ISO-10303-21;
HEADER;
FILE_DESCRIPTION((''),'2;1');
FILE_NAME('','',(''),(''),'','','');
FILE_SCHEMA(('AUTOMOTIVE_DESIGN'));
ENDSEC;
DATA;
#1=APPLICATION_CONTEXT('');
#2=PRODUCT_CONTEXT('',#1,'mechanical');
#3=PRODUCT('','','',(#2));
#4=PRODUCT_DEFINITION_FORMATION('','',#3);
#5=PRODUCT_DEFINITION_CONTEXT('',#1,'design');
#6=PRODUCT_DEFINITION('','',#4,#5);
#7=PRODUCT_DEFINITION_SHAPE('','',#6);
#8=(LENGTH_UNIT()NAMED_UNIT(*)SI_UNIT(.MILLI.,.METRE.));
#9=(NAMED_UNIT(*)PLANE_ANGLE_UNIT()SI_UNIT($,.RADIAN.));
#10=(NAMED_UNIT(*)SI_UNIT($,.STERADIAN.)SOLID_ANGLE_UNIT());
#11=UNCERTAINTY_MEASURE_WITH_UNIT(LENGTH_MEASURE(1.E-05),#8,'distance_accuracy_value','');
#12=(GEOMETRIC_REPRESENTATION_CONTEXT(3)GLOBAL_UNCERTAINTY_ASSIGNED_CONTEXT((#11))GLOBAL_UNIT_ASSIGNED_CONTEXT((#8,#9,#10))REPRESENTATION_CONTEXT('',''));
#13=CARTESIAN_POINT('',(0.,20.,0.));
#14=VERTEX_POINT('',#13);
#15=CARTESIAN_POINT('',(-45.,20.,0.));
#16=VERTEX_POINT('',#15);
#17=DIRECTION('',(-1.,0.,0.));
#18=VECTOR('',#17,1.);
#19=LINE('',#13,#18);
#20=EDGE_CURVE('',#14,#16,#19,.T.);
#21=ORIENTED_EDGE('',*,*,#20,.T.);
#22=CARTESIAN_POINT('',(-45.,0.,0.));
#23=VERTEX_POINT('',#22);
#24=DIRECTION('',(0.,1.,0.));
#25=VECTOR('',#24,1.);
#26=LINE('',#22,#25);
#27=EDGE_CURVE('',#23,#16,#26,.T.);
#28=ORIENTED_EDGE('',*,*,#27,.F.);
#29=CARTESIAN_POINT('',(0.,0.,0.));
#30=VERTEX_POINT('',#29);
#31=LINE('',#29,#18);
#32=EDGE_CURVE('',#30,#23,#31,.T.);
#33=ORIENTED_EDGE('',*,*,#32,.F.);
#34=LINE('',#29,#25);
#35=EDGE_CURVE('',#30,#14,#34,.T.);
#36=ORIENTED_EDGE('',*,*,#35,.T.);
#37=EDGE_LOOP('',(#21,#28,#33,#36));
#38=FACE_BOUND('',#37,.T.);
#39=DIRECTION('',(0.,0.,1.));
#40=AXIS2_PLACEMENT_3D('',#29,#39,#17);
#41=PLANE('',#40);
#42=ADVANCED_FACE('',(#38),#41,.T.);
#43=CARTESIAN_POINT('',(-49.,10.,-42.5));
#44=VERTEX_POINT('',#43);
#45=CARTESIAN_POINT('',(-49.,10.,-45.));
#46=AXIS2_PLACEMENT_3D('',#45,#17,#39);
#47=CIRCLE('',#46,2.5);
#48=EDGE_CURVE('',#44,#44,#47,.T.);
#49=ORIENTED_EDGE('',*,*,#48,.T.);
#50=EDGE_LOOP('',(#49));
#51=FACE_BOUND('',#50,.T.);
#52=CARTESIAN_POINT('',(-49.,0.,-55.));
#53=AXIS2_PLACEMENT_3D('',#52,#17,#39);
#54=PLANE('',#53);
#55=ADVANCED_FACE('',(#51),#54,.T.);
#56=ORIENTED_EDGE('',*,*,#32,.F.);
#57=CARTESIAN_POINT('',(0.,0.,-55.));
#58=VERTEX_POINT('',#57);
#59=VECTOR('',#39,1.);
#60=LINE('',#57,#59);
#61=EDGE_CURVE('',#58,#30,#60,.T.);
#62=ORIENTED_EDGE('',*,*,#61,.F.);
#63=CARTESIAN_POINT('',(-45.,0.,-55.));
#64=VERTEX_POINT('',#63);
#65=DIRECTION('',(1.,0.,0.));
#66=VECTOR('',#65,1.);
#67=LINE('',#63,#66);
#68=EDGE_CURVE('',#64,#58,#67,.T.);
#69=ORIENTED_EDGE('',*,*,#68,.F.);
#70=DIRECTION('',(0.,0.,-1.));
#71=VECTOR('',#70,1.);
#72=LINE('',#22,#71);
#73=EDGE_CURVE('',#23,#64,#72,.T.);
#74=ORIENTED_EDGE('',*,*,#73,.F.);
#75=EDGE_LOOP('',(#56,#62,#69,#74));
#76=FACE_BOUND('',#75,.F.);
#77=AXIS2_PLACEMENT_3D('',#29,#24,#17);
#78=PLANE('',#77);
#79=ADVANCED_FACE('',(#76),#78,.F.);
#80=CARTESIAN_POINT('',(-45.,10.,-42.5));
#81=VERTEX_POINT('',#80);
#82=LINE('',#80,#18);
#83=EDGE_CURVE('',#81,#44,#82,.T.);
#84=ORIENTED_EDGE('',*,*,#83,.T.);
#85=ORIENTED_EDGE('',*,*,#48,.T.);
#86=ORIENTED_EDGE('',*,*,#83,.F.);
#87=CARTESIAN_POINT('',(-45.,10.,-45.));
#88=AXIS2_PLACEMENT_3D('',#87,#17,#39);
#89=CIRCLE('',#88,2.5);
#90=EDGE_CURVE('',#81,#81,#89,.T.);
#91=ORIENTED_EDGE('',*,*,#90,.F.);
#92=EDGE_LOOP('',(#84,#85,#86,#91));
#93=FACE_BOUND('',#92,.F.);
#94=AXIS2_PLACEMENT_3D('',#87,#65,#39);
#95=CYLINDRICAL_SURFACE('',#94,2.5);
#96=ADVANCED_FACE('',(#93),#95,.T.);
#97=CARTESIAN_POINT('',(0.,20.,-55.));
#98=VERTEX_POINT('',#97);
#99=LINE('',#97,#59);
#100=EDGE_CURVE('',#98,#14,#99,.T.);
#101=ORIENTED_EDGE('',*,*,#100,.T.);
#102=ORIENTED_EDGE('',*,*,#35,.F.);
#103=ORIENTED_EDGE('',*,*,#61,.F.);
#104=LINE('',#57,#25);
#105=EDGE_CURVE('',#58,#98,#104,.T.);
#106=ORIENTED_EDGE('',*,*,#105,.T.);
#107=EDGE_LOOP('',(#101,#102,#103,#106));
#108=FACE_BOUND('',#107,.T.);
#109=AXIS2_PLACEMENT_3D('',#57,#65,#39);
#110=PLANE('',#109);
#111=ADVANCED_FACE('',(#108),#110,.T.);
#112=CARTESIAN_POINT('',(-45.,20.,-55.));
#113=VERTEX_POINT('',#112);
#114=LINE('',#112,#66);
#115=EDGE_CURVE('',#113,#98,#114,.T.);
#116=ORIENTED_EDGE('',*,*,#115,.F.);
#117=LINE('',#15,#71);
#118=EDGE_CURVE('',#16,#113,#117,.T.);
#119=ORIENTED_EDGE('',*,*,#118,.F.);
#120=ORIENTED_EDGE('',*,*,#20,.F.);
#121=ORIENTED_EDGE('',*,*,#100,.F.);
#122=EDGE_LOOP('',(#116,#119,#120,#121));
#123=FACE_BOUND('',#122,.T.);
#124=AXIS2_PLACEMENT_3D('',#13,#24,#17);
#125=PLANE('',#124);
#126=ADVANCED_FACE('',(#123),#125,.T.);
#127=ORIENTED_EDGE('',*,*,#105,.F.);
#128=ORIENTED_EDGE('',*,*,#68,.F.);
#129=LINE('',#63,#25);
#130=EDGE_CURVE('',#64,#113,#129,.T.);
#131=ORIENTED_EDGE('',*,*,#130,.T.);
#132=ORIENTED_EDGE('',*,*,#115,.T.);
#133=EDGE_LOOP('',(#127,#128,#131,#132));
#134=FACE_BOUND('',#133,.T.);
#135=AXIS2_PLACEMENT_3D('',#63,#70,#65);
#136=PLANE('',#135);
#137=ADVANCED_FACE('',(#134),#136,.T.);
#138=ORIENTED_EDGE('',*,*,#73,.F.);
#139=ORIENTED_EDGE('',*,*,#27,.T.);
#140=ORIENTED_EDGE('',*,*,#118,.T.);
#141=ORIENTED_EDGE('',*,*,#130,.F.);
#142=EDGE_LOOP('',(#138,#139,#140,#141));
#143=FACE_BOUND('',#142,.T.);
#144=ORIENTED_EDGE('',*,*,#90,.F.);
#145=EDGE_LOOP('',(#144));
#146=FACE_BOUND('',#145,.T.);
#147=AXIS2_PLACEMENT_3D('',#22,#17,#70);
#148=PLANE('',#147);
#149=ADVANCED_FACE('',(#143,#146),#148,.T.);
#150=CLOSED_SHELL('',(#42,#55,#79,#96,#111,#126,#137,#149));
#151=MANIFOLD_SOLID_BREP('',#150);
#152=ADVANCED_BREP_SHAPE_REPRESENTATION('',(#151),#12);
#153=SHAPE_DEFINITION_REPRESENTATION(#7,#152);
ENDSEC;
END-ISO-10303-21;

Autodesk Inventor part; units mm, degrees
ref_plane "YZ Plane" through (0, 0, 0) normal (1, 0, 0) x (0, 1, 0)
ref_plane "XZ Plane" through (0, 0, 0) normal (0, 1, 0) x (-1, 0, 0)
ref_plane "XY Plane" through (0, 0, 0) normal (0, 0, 1) x (1, 0, 0)
sketch "Sketch1" plane through (0, 0, 0) normal (0, 1, 0) x (-1, 0, 0)
  line L0 (0, 0) -> (45, 0)
  line L1 (45, 0) -> (45, -55)
  line L2 (45, -55) -> (0, -55)
  line L3 (0, -55) -> (0, 0)
  dimension "d0" = 45
  dimension "d1" = 55
extrude "Extrusion1" add sketch "Sketch1" along normal blind 20
sketch "Sketch2" plane through (-45, 0, -55) normal (-1, 0, 0) x (0, 0, 1)
  circle A0 centre (10, 10) radius 2.5
  line L0 (0, 0) -> (0, 20) projected
  line L1 (0, 0) -> (55, 0) projected
  dimension "d4" = 10
  dimension "d5" = 10
  dimension "d6" = 5
extrude "Extrusion2" add sketch "Sketch2" along normal blind 4
properties part number "servo mg958 dummy"
